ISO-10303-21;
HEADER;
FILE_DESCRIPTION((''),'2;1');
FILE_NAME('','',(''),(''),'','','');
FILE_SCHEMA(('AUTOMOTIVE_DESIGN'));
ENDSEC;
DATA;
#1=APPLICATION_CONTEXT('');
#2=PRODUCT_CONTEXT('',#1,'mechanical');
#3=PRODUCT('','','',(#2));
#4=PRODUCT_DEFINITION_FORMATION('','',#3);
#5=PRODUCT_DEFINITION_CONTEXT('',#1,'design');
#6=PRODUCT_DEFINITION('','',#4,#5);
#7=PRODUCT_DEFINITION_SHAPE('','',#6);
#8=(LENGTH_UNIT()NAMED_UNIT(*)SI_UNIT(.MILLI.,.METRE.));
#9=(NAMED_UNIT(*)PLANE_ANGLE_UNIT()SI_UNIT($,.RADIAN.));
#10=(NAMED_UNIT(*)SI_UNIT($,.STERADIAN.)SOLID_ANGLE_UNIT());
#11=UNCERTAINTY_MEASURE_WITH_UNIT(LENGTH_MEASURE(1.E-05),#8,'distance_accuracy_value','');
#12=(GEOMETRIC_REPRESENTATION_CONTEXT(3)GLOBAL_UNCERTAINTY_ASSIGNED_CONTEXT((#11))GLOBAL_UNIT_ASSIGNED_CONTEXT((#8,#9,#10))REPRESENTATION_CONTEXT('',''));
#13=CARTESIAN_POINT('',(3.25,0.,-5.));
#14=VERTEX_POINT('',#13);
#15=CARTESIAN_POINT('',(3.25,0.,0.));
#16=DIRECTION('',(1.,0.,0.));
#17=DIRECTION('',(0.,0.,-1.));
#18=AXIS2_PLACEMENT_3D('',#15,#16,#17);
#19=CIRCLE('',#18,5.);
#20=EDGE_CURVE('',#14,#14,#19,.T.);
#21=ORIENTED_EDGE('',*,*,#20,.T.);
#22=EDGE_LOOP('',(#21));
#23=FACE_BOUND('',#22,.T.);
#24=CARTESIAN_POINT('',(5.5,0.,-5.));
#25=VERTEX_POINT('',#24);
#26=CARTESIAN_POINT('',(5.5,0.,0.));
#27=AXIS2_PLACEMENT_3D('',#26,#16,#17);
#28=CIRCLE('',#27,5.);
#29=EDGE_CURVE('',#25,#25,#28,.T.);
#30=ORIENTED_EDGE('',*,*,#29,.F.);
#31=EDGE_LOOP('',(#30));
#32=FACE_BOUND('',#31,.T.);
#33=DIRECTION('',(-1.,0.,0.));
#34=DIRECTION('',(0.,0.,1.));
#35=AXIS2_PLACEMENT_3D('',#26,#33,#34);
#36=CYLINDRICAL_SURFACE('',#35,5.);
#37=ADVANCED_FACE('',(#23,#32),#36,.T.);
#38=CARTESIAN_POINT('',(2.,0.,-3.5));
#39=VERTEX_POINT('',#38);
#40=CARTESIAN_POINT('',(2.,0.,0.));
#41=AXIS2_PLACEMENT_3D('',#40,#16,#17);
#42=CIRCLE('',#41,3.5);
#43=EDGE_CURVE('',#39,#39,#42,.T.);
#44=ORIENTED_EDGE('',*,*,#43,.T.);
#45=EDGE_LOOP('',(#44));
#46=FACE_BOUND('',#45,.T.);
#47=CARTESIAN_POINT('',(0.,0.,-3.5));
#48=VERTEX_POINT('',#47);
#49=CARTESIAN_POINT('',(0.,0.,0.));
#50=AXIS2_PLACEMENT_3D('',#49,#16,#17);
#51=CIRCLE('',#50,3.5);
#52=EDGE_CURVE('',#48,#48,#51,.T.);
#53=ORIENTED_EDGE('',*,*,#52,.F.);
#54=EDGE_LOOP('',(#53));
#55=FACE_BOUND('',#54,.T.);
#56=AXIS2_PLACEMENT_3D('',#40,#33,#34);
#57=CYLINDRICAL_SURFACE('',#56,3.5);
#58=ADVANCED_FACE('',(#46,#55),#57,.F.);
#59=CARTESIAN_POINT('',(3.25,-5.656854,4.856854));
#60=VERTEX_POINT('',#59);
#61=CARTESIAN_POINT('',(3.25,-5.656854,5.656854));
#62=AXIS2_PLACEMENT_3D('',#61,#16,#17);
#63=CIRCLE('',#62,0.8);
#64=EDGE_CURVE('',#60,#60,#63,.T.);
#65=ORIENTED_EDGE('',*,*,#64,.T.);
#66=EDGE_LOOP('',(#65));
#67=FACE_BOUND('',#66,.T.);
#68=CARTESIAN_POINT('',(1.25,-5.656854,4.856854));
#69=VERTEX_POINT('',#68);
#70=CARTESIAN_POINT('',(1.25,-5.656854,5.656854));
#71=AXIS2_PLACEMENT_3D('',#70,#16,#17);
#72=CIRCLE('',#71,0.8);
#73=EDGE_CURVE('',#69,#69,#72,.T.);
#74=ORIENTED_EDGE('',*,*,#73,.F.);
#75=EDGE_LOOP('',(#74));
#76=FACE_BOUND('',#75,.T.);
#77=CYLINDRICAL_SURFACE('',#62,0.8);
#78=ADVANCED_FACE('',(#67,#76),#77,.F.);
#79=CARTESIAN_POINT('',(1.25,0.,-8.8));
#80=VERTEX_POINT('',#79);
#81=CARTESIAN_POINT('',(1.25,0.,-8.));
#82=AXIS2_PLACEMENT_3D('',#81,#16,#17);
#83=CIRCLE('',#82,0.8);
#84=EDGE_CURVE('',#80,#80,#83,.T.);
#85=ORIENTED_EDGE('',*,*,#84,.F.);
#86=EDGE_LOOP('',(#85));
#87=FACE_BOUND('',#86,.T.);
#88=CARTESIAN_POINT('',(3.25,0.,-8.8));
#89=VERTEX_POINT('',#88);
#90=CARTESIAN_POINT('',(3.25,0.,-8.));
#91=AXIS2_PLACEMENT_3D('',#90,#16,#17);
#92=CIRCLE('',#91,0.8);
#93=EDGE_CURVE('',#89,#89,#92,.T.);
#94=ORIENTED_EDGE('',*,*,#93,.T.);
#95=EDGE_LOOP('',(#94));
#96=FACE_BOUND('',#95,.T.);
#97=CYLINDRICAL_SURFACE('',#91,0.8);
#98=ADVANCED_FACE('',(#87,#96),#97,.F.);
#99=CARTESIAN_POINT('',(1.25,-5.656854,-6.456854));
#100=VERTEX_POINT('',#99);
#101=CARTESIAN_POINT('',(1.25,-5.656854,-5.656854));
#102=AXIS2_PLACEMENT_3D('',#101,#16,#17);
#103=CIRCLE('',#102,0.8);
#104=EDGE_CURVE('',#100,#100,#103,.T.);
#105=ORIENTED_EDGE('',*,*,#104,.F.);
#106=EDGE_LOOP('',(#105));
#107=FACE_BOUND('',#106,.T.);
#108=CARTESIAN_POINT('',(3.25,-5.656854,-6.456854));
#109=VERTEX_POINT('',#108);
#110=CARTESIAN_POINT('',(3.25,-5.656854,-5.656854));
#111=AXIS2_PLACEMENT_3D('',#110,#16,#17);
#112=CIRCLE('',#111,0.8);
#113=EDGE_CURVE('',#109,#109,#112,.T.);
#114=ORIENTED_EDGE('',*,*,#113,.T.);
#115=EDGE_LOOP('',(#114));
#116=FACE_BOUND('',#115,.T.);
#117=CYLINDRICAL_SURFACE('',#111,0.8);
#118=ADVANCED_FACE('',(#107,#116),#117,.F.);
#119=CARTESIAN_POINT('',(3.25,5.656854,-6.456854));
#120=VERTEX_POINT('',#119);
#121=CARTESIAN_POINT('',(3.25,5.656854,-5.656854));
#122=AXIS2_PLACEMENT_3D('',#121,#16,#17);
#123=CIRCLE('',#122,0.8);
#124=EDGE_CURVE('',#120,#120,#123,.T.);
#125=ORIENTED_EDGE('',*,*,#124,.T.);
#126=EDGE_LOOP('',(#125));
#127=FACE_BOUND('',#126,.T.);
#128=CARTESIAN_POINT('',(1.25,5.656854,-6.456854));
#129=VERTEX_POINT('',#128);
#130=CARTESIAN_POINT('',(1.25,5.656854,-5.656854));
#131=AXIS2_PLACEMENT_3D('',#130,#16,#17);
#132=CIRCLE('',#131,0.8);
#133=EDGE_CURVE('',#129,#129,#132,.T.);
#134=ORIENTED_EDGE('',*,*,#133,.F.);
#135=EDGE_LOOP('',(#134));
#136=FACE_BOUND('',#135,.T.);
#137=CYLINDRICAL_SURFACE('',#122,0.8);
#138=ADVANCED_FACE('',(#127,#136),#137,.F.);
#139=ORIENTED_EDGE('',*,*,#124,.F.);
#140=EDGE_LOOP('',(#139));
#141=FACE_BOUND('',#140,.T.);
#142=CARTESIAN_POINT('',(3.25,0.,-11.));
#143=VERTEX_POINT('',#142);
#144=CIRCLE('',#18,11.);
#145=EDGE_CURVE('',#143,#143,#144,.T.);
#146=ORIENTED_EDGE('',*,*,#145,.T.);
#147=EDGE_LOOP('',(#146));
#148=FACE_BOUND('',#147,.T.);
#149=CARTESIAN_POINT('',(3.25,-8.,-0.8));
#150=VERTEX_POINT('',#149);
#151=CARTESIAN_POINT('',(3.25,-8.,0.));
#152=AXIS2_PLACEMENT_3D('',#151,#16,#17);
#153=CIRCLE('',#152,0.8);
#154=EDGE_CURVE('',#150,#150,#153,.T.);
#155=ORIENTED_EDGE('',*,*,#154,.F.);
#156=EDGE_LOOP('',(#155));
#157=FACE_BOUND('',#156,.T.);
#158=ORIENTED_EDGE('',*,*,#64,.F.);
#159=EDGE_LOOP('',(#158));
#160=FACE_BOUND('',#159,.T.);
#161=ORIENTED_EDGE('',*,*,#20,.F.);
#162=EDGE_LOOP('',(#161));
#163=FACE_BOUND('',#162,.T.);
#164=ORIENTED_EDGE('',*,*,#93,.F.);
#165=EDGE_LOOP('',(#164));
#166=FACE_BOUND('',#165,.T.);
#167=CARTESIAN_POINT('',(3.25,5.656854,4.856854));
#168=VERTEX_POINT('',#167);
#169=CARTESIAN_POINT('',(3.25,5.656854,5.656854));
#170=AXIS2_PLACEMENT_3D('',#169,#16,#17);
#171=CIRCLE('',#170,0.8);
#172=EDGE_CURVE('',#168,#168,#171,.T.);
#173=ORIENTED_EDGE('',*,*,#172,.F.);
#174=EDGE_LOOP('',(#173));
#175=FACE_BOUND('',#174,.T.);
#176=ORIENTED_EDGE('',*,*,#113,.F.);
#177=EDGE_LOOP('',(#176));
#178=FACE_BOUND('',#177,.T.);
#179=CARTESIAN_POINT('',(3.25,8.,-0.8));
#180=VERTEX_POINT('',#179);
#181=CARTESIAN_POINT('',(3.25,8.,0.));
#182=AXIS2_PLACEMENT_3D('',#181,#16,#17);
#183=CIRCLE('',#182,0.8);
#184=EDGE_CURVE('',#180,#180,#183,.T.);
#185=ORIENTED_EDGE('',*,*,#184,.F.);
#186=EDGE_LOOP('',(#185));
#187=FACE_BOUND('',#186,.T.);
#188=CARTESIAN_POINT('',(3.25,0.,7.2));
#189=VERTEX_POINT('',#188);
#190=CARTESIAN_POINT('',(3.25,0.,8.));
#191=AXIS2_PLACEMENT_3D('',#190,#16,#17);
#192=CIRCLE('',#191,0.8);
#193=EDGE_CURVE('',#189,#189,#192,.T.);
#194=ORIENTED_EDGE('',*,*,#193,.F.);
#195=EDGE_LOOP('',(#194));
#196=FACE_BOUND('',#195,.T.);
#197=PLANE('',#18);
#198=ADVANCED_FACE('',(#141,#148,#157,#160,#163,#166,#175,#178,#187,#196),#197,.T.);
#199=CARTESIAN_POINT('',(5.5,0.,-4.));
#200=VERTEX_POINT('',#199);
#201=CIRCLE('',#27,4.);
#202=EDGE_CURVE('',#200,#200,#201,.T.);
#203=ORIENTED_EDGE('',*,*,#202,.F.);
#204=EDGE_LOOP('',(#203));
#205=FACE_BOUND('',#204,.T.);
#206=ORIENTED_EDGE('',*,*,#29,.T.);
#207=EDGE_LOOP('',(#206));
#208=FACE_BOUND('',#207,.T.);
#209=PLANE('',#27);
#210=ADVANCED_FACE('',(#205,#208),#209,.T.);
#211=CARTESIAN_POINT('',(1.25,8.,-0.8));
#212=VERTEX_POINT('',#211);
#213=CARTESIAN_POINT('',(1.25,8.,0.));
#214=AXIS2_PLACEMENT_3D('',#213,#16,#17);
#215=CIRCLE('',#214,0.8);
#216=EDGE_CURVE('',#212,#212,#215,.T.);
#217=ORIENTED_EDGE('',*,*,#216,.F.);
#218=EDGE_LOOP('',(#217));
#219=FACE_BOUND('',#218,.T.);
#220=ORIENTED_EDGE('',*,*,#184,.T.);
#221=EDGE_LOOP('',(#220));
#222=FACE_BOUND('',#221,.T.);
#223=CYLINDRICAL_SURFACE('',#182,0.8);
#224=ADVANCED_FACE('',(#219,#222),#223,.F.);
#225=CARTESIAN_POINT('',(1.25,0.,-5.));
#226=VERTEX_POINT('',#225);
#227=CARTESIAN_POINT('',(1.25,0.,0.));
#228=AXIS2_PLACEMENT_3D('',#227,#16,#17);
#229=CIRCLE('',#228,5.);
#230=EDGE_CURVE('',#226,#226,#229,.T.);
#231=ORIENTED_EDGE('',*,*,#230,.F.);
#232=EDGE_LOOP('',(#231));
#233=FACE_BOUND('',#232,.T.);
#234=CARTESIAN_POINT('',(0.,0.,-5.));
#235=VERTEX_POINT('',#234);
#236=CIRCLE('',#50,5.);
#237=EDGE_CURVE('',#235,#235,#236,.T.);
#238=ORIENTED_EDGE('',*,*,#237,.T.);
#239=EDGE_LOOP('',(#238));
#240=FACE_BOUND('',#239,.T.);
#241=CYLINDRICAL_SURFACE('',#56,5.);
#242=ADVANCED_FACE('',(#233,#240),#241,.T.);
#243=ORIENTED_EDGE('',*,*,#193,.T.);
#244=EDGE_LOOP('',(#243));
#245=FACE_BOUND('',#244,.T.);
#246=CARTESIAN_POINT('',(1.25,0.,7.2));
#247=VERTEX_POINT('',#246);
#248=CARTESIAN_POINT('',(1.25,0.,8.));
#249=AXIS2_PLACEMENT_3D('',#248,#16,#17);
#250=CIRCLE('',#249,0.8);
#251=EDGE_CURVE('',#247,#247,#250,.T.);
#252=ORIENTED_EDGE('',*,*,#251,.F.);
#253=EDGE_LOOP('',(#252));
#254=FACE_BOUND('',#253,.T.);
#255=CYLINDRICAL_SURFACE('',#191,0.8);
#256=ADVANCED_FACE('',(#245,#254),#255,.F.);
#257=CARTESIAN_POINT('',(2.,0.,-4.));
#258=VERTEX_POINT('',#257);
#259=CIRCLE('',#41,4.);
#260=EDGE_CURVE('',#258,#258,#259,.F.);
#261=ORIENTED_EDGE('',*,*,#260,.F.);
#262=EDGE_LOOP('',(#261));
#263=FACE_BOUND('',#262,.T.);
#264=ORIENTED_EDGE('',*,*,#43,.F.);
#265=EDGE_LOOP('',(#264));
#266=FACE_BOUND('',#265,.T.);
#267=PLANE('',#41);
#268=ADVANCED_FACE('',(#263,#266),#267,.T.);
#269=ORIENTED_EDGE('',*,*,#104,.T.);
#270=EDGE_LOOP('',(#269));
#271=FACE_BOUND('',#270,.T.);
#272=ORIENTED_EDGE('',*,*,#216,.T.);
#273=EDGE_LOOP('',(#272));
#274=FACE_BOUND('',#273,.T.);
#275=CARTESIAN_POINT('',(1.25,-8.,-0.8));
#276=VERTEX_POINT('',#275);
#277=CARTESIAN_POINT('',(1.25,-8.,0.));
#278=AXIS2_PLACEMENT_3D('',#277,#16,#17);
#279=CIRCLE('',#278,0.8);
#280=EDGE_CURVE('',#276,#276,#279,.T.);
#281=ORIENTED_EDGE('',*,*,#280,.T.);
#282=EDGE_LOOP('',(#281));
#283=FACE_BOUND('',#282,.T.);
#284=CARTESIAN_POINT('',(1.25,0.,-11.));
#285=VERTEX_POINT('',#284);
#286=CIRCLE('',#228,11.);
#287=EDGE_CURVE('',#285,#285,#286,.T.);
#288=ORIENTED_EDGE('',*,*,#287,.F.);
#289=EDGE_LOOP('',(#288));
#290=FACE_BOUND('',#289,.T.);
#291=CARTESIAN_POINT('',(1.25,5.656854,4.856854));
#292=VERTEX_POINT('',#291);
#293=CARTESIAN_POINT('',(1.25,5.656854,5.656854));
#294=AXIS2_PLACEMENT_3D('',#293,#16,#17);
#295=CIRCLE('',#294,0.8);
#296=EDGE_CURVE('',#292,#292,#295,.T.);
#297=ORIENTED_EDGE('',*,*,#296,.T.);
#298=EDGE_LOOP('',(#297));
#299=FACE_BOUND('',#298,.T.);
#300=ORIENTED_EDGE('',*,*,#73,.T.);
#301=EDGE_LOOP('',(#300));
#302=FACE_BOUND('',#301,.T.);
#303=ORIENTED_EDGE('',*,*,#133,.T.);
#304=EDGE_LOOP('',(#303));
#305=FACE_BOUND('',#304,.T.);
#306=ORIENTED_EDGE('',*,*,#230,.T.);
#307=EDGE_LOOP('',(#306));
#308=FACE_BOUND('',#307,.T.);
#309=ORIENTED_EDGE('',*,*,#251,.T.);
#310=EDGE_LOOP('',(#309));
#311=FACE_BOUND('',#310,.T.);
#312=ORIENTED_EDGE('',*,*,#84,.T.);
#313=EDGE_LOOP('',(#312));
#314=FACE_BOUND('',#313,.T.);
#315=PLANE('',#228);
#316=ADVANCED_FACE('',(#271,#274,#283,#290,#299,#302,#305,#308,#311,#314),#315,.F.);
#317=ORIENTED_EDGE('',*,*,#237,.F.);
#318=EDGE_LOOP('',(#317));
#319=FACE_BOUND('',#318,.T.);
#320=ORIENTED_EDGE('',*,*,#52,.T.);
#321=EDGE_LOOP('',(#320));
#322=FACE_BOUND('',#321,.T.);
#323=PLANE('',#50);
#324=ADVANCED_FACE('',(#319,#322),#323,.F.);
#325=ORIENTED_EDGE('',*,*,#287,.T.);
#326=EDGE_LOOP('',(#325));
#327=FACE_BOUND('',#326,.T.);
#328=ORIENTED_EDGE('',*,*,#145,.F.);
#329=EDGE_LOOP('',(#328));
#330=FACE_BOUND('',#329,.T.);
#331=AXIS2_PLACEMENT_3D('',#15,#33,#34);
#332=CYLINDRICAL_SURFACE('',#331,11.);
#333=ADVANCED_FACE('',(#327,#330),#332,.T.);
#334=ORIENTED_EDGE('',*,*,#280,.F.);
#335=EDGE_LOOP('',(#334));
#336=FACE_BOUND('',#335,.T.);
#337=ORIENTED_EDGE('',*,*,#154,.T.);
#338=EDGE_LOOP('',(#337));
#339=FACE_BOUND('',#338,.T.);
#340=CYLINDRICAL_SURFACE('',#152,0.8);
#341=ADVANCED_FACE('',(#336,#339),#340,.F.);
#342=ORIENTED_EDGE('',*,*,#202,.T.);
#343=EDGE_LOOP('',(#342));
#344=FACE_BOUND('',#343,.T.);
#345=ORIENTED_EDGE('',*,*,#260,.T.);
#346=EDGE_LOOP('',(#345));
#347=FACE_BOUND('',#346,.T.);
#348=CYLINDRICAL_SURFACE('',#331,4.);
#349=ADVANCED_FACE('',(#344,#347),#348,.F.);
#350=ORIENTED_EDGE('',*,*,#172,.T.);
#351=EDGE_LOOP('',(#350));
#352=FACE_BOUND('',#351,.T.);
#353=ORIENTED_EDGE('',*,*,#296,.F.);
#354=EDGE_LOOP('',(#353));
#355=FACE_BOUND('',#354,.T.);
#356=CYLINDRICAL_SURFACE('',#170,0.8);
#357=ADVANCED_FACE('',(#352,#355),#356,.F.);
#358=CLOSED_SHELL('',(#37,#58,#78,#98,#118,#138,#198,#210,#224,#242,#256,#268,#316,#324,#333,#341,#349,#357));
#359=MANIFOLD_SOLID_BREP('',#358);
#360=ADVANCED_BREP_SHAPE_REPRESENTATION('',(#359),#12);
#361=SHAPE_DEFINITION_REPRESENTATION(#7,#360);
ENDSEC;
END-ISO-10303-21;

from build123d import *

# Parameters (mm, degrees)
SKETCH1_R                 = 5
SKETCH1_R_2               = 3.5
BOSS_EXTRUDE1_DEPTH       = 2
SKETCH2_R                 = 11
SKETCH2_R_2               = 4
BOSS_EXTRUDE2_DEPTH       = 1.25
BOSS_EXTRUDE3_START       = -0.75
SKETCH2_2_R               = 11
SKETCH2_2_R_2             = 4
BOSS_EXTRUDE3_DEPTH       = 0.75
SKETCH3_R                 = 5
SKETCH3_R_2               = 4
BOSS_EXTRUDE4_DEPTH       = 2.25
M2X0_4_TAPPED_HOLE1_D     = 1.6
M2X0_4_TAPPED_HOLE1_DEPTH = 5.2
M2X0_4_TAPPED_HOLE1_TIP   = 0.480688495


with BuildPart() as part:
    # Sketch1 → Boss-Extrude1 (new body)
    with BuildSketch(Plane(origin=(0, 0, 0), x_dir=(0, 0, -1), z_dir=(1, 0, 0))):
        Circle(SKETCH1_R)
        Circle(SKETCH1_R_2, mode=Mode.SUBTRACT)
    extrude(amount=BOSS_EXTRUDE1_DEPTH)

    # Sketch2 → Boss-Extrude2 (add)
    with BuildSketch(Plane(origin=(2, 0, 0), x_dir=(0, 0, -1), z_dir=(1, 0, 0))):
        Circle(SKETCH2_R)
        Circle(SKETCH2_R_2, mode=Mode.SUBTRACT)
    extrude(amount=BOSS_EXTRUDE2_DEPTH)

    # Sketch2<2> → Boss-Extrude3 (add)
    with BuildSketch(Plane(origin=(2, 0, 0), x_dir=(0, 0, -1), z_dir=(1, 0, 0)).offset(BOSS_EXTRUDE3_START)):
        Circle(SKETCH2_2_R)
        Circle(SKETCH2_2_R_2, mode=Mode.SUBTRACT)
    extrude(amount=BOSS_EXTRUDE3_DEPTH)

    # Sketch3 → Boss-Extrude4 (add)
    with BuildSketch(Plane(origin=(3.25, 0, 0), x_dir=(0, 0, -1), z_dir=(1, 0, 0))):
        Circle(SKETCH3_R)
        Circle(SKETCH3_R_2, mode=Mode.SUBTRACT)
    extrude(amount=BOSS_EXTRUDE4_DEPTH)

    # M2x0.4 Tapped Hole1
    with Locations(Plane(origin=(3.25, 0, 0), x_dir=(0, 0, -1), z_dir=(1, 0, 0))):
        with Locations((8, 0), (0, 8), (-5.656854249, 5.656854249), (5.656854249, 5.656854249), (5.656854249, -5.656854249), (0, -8), (-5.656854249, -5.656854249), (-8, 0)):
            Hole(M2X0_4_TAPPED_HOLE1_D / 2, depth=M2X0_4_TAPPED_HOLE1_DEPTH)
            with Locations((0, 0, -(M2X0_4_TAPPED_HOLE1_DEPTH + M2X0_4_TAPPED_HOLE1_TIP / 2))):  # 118° drill point
                Cone(0, M2X0_4_TAPPED_HOLE1_D / 2, M2X0_4_TAPPED_HOLE1_TIP, mode=Mode.SUBTRACT)


solid = part.part
